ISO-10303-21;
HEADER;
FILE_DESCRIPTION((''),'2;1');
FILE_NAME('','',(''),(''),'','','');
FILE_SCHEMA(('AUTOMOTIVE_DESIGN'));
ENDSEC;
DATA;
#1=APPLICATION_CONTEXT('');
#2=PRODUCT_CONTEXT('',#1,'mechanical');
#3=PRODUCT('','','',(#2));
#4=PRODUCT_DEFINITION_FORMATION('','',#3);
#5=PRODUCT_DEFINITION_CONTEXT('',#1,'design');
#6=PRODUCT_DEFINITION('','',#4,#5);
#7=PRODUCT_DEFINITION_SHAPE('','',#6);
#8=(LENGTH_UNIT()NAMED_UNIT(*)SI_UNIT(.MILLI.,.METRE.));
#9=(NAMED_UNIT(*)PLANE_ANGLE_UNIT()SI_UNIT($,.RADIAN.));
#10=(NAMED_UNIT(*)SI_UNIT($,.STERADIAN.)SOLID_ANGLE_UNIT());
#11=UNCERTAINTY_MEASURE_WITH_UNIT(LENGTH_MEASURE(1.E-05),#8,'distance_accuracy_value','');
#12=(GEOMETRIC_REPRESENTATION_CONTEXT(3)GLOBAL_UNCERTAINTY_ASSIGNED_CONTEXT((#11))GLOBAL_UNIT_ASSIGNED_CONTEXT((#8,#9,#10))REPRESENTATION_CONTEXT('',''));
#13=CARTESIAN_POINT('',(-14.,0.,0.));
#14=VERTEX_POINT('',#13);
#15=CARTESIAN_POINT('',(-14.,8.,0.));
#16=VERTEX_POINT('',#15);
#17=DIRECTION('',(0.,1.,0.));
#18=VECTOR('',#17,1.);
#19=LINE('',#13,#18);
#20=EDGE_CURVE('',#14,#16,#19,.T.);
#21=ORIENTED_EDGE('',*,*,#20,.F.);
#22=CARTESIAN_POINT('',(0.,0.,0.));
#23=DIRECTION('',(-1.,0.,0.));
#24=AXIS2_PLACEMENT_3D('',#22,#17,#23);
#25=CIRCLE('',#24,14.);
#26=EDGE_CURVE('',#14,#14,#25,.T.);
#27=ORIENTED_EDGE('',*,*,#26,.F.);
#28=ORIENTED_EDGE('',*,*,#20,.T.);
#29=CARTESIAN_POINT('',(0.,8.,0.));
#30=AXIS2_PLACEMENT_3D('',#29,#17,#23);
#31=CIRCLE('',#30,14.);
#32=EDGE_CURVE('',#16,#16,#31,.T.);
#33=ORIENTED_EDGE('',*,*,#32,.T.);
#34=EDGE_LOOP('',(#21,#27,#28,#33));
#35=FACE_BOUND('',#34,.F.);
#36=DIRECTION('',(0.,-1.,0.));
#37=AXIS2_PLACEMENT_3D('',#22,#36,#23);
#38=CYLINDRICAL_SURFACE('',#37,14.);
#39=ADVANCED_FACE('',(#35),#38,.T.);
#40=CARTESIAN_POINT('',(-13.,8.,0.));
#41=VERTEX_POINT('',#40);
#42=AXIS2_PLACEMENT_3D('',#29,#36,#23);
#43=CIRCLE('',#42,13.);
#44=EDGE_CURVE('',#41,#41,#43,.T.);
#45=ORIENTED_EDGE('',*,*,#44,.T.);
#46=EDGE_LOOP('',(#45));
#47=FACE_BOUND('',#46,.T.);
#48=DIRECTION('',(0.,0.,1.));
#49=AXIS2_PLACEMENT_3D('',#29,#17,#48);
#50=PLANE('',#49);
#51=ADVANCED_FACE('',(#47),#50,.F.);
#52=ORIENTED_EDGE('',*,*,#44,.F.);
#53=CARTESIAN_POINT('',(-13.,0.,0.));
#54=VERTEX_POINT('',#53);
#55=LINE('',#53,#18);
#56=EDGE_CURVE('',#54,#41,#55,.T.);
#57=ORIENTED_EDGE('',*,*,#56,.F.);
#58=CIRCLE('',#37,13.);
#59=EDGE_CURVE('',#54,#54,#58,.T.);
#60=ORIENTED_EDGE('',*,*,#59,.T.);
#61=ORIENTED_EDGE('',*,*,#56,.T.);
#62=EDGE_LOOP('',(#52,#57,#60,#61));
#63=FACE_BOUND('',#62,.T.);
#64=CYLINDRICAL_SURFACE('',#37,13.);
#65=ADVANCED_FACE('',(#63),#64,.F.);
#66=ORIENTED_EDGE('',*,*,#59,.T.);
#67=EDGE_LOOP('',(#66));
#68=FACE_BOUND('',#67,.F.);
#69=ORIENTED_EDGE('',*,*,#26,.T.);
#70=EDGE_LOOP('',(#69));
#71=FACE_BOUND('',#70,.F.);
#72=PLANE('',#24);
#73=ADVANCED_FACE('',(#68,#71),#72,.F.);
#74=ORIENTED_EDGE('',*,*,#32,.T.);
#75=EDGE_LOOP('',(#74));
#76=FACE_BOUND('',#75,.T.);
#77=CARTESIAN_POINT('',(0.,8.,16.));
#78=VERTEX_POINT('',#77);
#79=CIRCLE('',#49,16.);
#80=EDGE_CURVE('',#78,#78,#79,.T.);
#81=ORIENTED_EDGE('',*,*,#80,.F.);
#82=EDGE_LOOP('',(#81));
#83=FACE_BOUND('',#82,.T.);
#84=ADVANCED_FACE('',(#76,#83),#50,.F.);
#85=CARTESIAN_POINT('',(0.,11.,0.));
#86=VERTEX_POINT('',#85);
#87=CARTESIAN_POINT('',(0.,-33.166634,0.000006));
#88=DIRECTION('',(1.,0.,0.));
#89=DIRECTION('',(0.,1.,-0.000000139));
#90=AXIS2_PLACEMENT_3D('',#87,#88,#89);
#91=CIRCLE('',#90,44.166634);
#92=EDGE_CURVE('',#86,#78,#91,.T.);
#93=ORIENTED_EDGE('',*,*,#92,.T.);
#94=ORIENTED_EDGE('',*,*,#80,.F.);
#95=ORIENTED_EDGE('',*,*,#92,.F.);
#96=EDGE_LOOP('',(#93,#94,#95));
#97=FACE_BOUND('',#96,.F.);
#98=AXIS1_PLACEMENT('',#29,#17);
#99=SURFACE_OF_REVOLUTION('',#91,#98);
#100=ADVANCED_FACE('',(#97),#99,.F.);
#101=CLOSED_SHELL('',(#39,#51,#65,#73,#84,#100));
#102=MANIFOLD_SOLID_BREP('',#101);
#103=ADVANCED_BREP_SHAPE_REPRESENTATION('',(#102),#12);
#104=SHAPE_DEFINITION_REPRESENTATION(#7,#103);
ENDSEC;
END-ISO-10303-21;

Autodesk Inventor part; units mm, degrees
ref_plane "YZ Plane" through (0, 0, 0) normal (1, 0, 0) x (0, 1, 0)
ref_plane "XZ Plane" through (0, 0, 0) normal (0, 1, 0) x (-1, 0, 0)
ref_plane "XY Plane" through (0, 0, 0) normal (0, 0, 1) x (1, 0, 0)
sketch "Szkic1" plane through (0, 0, 0) normal (0, 1, 0) x (-1, 0, 0)
  circle A0 centre (0, 0) radius 14
  dimension "d0" = 28
extrude "Wyciągnięcie proste1" add sketch "Szkic1" along normal blind 8
shell "Skorupa1" thickness 1 removed faces 2 at (-0.5625, 0, 1.5565) at (-0.5625, 8, 1.5565)
sketch "Szkic2" plane through (0, 0, 0) normal (1, 0, 0) x (0, 1, 0)
  line L0 (8, -14) -> (8, 14) construction
  line L1 (8, 0) -> (11, 0)
  line L2 (8, 0) -> (8, 16)
  arc A0 (11, 0) -> (8, 16) centre (-33.1667, 0) ccw
  point P0 (0, 0)
  dimension "d4" = 3
  dimension "d5" = 16
revolve "Obrót1" add sketch "Szkic2" angle 360 about axis through (0, 8, 0) along (0, 1, 0)
properties part number "Zaślepka_do_rur_fi32" material "Polietylen o dużej gęstości"
